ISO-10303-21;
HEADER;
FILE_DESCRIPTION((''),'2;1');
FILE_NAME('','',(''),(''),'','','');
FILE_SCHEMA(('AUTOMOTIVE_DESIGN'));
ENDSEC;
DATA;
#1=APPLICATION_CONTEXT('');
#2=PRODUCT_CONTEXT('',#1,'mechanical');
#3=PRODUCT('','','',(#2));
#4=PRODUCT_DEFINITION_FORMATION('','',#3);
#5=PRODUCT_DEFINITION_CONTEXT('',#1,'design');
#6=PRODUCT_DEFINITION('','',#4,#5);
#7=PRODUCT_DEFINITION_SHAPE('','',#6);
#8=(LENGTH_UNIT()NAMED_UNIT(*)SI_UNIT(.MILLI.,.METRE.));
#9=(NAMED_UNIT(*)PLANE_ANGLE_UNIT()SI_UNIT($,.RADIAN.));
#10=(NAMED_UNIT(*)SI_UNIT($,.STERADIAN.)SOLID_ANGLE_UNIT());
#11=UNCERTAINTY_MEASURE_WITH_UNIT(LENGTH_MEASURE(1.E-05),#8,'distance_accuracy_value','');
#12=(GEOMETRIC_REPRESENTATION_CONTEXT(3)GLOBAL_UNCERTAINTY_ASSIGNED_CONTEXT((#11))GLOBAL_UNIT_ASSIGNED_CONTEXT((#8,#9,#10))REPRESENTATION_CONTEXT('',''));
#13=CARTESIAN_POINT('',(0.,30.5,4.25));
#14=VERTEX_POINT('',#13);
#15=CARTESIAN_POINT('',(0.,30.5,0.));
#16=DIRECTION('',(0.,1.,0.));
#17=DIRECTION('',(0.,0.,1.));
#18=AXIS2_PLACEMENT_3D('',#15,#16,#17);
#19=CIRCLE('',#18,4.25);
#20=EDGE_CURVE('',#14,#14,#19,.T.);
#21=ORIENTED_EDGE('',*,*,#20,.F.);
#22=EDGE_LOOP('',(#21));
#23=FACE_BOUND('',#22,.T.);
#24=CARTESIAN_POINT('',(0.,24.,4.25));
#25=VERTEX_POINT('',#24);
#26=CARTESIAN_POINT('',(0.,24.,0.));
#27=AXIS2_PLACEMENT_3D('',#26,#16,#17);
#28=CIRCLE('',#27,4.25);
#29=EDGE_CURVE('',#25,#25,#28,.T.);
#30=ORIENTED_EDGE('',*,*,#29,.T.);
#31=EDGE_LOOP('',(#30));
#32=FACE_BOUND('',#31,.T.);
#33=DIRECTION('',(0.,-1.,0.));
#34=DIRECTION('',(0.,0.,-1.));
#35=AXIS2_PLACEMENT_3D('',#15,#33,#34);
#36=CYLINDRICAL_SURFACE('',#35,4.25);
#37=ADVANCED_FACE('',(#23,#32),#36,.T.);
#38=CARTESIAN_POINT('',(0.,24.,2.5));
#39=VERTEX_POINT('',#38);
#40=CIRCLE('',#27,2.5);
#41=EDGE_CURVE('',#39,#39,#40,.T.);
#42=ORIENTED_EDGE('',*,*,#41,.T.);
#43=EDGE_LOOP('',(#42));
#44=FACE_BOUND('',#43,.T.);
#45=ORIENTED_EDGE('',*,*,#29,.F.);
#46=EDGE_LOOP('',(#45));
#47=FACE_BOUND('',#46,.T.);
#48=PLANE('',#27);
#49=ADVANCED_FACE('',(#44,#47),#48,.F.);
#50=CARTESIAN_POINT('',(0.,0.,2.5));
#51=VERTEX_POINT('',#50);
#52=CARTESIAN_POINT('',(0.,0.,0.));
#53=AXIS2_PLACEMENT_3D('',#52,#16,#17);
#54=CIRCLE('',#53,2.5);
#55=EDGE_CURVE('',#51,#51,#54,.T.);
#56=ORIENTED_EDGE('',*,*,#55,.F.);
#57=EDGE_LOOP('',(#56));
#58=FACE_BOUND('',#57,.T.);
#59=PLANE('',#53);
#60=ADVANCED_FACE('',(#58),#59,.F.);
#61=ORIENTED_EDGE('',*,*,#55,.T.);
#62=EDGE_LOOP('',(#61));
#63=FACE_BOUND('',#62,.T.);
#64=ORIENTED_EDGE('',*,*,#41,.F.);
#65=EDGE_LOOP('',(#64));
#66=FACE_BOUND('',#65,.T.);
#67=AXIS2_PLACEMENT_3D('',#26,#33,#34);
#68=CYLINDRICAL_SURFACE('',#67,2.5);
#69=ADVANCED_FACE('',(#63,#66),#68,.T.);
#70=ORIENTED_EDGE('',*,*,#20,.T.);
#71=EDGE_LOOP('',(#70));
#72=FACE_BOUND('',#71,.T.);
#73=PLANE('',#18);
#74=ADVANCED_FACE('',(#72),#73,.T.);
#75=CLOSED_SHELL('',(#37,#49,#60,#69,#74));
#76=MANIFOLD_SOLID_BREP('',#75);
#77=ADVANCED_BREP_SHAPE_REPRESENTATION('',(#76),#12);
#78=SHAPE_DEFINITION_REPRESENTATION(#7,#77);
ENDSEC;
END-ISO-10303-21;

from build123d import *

# Parameters (mm, degrees)
SKETCH1_R           = 2.5
BOSS_EXTRUDE1_DEPTH = 24
SKETCH2_R           = 4.25
BOSS_EXTRUDE2_DEPTH = 6.5


with BuildPart() as part:
    # Sketch1 → Boss-Extrude1 (new body)
    with BuildSketch(Plane(origin=(0, 0, 0), x_dir=(1, 0, 0), z_dir=(0, 1, 0))):
        Circle(SKETCH1_R)
    extrude(amount=BOSS_EXTRUDE1_DEPTH)

    # Sketch2 → Boss-Extrude2 (add)
    with BuildSketch(Plane(origin=(0, 24, 0), x_dir=(1, 0, 0), z_dir=(0, 1, 0))):
        Circle(SKETCH2_R)
    extrude(amount=BOSS_EXTRUDE2_DEPTH)


solid = part.part
